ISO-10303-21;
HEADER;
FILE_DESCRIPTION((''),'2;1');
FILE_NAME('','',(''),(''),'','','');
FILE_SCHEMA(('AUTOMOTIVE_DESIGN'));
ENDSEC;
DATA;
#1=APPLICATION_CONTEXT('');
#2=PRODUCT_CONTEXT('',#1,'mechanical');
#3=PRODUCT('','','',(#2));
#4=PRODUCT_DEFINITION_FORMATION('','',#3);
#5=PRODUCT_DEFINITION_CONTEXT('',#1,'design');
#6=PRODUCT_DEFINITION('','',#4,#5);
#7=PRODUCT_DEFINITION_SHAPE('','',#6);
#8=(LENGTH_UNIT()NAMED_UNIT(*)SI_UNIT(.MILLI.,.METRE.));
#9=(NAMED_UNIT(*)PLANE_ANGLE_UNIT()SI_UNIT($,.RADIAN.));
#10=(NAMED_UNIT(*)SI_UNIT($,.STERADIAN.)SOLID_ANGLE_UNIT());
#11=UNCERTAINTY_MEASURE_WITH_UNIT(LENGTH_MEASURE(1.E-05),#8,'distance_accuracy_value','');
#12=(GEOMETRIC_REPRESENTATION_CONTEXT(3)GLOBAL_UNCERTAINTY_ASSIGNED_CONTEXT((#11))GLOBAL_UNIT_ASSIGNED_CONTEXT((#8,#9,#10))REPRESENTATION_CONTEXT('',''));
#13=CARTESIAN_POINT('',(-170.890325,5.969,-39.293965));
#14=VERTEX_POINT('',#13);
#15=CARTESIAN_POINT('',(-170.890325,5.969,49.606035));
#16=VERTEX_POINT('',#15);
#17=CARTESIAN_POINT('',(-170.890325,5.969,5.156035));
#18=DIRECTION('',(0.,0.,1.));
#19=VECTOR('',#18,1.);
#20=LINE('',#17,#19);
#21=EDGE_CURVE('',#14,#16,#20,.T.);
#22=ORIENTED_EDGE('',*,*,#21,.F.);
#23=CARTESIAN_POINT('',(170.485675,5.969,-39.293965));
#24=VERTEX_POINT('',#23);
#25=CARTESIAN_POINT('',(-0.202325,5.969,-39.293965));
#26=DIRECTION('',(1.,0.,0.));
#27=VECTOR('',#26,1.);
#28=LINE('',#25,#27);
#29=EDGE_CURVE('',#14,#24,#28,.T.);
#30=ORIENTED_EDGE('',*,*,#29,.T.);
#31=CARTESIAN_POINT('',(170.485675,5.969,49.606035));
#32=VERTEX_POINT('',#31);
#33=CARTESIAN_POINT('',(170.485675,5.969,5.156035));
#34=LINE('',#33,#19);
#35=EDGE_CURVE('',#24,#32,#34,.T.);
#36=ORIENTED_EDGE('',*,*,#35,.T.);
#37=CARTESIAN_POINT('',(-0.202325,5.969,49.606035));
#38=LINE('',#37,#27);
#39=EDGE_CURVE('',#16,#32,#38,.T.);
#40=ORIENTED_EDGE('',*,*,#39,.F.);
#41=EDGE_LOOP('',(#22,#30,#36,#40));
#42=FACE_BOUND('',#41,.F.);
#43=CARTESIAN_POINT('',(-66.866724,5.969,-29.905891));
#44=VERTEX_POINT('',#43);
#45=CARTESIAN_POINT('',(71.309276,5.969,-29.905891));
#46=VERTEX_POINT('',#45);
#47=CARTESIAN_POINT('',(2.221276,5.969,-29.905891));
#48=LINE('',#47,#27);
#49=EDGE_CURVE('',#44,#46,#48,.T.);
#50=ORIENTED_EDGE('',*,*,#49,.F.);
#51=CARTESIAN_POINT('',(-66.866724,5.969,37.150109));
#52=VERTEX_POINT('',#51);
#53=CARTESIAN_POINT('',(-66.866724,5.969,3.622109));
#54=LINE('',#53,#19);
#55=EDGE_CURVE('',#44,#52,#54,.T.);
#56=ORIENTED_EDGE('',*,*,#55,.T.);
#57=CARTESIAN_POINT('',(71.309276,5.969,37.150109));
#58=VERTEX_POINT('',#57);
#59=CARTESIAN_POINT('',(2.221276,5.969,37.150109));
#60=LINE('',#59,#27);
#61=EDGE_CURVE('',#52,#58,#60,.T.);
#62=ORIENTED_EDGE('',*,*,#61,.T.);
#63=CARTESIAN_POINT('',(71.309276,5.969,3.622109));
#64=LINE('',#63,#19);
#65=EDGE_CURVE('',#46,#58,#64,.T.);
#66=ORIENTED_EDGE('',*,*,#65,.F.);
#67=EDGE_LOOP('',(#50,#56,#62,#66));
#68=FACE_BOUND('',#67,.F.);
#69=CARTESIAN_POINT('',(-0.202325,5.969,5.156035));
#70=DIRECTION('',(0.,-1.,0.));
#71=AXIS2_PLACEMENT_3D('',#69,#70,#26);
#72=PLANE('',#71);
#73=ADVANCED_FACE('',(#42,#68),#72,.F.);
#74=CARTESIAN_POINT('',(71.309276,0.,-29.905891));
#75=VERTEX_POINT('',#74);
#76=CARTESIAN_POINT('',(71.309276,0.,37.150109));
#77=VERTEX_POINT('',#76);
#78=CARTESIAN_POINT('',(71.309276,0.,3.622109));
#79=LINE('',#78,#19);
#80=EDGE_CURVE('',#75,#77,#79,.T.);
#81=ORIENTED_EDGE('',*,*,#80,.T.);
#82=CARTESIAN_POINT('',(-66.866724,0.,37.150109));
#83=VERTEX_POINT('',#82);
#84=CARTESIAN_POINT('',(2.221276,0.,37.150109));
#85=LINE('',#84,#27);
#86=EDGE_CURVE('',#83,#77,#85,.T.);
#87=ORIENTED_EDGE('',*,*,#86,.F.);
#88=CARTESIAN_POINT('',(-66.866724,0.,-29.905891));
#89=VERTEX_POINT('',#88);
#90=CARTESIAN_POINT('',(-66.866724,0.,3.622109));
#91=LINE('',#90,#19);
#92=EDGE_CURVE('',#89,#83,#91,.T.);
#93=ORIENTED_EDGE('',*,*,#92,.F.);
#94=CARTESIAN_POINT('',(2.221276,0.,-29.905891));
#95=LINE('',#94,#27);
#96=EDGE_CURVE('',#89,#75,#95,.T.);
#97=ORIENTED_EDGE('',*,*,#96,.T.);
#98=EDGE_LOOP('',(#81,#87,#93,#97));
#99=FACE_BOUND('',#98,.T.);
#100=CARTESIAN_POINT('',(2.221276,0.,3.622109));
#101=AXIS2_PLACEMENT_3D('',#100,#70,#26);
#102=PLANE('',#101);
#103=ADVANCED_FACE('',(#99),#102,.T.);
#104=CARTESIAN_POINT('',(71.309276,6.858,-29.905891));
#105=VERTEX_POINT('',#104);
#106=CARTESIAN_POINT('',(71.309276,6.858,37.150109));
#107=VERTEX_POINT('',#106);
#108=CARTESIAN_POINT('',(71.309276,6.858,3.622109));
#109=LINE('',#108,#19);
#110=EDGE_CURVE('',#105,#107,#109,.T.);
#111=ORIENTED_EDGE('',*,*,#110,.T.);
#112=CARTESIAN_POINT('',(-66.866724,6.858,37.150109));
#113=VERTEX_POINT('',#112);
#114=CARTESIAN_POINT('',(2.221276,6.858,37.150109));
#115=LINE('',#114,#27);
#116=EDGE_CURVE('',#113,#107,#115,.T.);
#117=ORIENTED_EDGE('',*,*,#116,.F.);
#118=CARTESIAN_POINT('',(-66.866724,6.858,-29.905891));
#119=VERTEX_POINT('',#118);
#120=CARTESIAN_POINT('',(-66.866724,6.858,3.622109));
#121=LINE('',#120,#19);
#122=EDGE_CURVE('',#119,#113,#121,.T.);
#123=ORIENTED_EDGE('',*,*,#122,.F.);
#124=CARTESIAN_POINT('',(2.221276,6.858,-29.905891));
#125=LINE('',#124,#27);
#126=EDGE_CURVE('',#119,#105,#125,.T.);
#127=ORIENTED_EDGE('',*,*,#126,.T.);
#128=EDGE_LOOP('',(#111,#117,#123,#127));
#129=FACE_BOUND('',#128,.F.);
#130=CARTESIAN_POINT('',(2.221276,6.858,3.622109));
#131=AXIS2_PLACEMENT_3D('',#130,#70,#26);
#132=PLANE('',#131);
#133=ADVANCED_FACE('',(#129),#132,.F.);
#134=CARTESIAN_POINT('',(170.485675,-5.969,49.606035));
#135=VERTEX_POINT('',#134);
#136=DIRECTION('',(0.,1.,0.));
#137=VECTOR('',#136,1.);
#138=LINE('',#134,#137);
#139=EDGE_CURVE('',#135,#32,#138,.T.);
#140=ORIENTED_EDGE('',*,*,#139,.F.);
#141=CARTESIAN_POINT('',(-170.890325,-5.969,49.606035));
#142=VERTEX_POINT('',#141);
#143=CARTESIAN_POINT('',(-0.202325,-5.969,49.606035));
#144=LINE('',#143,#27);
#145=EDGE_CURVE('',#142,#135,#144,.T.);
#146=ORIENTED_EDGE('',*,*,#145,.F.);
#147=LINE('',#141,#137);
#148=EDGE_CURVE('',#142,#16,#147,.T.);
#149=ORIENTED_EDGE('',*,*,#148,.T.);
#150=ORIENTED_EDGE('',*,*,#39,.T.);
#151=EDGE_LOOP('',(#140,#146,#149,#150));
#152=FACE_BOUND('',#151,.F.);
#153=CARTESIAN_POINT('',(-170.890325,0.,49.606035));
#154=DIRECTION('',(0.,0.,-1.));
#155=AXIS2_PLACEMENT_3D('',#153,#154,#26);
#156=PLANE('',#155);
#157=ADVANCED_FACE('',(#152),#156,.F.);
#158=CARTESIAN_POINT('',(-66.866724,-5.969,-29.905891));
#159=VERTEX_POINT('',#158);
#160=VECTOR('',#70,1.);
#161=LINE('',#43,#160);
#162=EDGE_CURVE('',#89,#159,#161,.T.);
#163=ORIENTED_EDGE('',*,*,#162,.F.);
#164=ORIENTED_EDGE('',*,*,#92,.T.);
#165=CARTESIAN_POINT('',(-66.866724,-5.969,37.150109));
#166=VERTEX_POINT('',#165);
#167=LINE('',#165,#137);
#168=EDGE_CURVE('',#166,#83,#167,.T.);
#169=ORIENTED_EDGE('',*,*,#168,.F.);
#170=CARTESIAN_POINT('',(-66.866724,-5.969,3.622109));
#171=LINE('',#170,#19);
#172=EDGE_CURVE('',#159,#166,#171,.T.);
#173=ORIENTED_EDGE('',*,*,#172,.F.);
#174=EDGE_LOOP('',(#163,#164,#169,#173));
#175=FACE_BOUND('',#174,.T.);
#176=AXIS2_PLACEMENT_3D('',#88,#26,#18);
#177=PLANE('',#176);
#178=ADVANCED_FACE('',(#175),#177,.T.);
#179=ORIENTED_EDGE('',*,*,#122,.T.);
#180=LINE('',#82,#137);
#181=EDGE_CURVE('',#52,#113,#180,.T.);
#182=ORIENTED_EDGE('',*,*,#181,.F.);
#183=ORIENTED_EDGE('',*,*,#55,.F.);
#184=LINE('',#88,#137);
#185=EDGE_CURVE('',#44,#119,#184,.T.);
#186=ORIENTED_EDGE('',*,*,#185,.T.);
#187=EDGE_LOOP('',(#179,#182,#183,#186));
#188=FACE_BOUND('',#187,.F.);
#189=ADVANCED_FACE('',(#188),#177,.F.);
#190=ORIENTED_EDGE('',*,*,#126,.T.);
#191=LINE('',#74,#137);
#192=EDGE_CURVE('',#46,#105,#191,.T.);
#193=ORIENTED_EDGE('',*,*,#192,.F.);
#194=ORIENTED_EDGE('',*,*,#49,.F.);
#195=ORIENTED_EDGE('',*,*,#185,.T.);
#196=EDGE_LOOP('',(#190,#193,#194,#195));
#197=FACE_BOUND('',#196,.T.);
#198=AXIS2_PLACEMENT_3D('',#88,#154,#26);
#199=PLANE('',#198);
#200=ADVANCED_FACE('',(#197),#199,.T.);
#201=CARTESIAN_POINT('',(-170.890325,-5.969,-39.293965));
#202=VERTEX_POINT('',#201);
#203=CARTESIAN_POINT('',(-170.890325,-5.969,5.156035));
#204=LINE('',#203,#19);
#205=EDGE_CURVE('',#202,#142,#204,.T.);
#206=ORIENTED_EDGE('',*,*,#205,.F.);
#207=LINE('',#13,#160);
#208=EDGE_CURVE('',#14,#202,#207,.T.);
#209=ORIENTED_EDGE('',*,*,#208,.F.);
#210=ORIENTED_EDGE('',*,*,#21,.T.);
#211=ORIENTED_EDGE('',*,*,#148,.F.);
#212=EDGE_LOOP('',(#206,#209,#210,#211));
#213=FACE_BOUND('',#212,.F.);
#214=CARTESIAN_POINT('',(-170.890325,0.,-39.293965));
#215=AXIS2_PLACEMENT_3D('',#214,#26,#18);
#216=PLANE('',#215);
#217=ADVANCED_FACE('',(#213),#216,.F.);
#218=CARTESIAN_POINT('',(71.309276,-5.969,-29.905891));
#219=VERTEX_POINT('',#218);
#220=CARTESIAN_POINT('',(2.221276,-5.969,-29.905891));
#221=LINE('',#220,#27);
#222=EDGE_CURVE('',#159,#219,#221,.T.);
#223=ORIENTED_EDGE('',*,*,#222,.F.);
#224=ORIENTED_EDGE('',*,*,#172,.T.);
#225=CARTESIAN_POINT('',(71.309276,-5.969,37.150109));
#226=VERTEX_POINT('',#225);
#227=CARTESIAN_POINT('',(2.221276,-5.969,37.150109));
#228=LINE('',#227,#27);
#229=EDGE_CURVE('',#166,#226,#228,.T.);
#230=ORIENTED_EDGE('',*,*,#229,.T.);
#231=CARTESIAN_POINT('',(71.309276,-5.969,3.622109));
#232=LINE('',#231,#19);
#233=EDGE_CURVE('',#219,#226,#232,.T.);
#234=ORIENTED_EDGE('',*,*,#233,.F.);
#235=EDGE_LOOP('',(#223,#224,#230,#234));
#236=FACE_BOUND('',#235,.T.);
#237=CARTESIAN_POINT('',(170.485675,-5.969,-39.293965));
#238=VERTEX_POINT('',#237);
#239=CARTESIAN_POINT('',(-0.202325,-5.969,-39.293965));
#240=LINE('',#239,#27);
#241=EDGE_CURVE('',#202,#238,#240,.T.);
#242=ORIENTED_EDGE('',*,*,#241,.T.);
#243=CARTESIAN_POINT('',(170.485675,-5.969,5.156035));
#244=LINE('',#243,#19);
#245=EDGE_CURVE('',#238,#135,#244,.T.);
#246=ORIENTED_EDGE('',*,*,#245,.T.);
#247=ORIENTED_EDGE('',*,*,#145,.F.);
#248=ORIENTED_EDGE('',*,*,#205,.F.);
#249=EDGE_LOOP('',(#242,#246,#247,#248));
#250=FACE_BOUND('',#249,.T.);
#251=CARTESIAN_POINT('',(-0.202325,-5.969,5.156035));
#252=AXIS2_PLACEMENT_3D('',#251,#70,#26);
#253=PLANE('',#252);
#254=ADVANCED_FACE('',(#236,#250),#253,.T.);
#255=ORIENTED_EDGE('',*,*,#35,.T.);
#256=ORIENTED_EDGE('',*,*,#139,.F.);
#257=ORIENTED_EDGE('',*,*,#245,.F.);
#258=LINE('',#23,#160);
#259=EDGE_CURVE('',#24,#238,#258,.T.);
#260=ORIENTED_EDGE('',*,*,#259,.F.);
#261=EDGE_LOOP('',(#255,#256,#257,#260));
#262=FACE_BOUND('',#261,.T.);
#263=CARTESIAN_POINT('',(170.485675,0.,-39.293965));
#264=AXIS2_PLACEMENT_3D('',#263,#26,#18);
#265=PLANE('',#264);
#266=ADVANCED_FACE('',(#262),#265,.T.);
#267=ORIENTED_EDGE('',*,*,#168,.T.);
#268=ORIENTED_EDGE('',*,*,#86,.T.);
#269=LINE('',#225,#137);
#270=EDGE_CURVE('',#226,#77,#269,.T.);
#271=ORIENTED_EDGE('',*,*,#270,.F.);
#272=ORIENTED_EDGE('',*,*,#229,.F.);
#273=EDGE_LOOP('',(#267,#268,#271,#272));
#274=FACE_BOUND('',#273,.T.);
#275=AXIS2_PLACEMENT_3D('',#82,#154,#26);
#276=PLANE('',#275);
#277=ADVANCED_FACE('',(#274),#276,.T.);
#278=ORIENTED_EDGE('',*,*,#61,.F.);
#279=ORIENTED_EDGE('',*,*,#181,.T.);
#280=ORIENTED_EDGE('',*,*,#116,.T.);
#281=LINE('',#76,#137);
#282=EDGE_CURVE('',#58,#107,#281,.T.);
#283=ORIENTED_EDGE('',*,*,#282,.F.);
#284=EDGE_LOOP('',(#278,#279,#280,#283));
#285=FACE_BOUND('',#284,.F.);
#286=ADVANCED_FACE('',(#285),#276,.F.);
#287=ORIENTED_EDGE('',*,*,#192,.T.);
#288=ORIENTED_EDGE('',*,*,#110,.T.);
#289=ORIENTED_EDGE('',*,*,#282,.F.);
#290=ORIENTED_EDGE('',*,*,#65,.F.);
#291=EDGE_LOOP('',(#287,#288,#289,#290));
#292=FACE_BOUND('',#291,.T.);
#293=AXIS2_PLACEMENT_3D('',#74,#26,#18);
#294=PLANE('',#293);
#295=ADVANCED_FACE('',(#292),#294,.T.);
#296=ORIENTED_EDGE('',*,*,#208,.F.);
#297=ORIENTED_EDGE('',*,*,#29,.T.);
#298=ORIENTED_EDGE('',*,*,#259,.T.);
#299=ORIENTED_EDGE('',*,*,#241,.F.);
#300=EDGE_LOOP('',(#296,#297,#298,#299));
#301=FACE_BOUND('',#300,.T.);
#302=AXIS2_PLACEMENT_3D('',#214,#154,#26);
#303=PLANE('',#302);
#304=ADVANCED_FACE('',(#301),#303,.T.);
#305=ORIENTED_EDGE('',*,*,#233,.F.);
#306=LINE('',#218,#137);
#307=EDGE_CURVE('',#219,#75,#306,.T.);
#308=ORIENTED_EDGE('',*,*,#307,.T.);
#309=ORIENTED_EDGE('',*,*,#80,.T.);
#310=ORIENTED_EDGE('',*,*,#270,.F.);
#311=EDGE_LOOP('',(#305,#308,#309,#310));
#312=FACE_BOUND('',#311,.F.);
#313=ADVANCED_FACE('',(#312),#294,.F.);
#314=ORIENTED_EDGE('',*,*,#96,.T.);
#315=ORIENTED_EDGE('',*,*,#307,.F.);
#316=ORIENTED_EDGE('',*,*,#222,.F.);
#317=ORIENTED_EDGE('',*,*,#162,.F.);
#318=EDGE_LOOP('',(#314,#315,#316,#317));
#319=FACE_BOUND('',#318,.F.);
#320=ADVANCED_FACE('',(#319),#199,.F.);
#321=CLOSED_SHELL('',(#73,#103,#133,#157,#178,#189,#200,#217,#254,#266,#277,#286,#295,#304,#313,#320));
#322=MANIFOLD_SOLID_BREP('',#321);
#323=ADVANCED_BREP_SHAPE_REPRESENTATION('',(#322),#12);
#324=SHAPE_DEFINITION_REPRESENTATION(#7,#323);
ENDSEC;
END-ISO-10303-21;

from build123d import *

# Parameters (mm, degrees)
F1_W     = 341.376
F1_H     = 88.9
F1_W_2   = 138.176
F1_H_2   = 67.056
F2_DEPTH = 5.969
F0_W     = 138.176
F0_H     = 67.056
F3_DEPTH = 6.858


with BuildPart() as f2:
    # F1 (on face) → F2 (new body, symmetric)
    with BuildSketch(Plane.XZ):
        with Locations((-0.202325, 5.156035)):
            Rectangle(F1_W, F1_H)
        with Locations((2.221276, 3.622109)):
            Rectangle(F1_W_2, F1_H_2, mode=Mode.SUBTRACT)
    extrude(amount=F2_DEPTH, both=True)

    # F0 (on Front) → F3 (join)
    with BuildSketch(Plane.XZ):
        with Locations((2.221276, 3.622109)):
            Rectangle(F0_W, F0_H)
    extrude(amount=-F3_DEPTH)


solid = f2.part
